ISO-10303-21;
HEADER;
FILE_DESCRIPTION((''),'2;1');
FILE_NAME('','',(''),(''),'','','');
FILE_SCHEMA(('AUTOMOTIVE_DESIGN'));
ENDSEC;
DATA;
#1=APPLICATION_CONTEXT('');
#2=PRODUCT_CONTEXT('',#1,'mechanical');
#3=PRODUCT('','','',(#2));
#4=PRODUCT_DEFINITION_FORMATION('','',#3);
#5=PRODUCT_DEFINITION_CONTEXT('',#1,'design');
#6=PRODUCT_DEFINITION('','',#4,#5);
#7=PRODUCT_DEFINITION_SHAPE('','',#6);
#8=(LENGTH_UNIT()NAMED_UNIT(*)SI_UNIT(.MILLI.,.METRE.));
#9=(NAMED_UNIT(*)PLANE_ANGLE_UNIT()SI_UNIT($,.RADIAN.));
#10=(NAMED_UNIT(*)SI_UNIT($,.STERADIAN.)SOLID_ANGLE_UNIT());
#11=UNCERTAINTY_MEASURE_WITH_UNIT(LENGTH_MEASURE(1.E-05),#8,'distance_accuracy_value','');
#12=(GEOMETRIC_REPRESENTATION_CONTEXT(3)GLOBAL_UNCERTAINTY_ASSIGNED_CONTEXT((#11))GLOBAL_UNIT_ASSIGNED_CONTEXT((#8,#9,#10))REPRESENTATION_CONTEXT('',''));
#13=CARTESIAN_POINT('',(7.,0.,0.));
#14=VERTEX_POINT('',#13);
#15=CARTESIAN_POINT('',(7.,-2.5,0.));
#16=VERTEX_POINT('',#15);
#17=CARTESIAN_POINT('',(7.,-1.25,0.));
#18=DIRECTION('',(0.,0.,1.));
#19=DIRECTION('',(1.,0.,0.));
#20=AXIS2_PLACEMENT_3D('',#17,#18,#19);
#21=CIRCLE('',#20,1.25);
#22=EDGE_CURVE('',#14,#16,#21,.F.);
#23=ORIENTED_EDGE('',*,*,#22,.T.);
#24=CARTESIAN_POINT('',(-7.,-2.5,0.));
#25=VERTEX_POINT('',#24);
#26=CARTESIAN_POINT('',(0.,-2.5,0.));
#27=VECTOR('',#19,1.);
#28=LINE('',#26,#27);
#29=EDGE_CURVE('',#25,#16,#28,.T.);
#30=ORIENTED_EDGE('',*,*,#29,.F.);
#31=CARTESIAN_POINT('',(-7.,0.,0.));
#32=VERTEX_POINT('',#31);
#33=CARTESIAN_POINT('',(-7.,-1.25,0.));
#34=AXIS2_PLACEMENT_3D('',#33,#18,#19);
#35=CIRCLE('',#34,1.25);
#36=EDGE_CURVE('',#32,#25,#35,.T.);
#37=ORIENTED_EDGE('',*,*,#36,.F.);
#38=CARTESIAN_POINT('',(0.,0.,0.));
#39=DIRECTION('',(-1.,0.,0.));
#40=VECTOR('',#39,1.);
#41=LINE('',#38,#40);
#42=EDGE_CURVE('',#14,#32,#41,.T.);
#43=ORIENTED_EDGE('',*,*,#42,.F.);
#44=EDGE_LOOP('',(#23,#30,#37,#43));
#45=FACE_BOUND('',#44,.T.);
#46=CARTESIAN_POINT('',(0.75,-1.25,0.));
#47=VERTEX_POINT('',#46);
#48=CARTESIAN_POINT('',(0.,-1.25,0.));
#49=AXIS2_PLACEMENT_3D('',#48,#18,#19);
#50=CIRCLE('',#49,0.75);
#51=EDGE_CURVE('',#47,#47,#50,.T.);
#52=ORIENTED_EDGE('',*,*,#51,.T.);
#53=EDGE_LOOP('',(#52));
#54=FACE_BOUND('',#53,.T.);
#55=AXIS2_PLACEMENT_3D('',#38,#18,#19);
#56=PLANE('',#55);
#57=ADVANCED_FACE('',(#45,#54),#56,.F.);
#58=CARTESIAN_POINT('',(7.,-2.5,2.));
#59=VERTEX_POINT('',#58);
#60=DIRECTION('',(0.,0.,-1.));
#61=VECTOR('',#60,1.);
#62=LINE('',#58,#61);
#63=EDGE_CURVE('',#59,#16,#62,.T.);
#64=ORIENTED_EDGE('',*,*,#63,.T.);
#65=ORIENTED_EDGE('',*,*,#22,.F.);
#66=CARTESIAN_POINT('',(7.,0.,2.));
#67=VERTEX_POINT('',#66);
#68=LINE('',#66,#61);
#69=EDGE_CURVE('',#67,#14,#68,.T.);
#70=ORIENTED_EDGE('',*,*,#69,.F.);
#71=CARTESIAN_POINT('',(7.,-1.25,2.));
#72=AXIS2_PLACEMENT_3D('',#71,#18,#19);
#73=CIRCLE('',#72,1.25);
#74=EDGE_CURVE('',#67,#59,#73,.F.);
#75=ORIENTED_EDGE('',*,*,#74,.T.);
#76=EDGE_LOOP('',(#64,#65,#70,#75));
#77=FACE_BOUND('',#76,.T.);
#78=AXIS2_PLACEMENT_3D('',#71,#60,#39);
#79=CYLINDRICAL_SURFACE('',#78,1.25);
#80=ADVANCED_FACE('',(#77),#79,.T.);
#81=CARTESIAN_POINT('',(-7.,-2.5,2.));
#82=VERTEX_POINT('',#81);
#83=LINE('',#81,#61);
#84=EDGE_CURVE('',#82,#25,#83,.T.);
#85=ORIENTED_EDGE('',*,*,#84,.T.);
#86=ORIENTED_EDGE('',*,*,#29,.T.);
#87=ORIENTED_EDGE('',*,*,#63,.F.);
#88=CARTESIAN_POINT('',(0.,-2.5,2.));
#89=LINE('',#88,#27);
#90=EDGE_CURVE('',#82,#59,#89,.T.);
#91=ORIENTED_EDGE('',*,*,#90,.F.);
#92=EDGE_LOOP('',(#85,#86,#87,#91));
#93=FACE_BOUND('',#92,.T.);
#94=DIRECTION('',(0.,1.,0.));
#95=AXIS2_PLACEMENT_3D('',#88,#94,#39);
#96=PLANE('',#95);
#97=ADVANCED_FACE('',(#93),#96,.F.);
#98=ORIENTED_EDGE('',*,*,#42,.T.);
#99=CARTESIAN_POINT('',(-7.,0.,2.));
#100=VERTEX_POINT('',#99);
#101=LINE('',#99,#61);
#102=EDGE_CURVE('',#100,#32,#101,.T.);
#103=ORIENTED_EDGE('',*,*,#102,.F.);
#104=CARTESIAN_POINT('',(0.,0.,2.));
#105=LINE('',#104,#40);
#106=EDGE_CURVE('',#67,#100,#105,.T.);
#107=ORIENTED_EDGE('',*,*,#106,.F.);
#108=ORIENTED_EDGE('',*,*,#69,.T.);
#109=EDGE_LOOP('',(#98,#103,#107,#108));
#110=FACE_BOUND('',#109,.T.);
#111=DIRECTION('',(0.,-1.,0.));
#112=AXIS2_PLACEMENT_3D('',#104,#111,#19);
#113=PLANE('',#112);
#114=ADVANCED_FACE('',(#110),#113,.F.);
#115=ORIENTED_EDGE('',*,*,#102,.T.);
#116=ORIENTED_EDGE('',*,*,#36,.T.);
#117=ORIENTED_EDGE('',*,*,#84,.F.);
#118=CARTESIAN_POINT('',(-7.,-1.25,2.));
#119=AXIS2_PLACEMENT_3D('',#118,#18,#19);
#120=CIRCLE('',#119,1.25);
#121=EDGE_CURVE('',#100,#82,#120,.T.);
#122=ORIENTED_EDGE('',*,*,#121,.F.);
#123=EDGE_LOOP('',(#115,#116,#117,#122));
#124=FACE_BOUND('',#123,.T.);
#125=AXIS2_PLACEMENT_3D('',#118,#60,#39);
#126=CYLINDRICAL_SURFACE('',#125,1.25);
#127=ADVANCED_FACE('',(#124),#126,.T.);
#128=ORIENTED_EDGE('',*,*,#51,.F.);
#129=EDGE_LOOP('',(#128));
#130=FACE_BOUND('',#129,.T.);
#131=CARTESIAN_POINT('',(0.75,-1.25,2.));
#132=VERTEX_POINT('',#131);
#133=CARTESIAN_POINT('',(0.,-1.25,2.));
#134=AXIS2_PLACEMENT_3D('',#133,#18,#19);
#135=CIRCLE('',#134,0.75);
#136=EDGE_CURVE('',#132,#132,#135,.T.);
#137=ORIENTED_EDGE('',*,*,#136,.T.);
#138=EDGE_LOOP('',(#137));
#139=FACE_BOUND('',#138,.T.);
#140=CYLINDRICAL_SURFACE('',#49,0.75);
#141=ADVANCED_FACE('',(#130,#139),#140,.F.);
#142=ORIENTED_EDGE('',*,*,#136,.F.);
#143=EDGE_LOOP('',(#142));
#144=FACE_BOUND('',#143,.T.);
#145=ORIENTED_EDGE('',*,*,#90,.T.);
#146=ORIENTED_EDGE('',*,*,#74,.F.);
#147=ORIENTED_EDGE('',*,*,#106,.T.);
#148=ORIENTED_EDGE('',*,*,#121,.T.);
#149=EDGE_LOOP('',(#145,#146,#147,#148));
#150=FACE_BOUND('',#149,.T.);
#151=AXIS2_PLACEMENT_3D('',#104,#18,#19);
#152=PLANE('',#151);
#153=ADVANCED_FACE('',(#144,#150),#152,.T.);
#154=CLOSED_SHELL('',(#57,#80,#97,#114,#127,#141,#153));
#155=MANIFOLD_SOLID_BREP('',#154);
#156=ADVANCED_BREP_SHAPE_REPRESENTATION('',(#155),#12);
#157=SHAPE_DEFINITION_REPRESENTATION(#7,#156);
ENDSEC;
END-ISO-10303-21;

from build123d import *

# Parameters (mm, degrees)
SALIENTE_EXTRUIR1_DEPTH = 2
CROQUIS2_R              = 0.75
CORTAR_EXTRUIR1_DEPTH   = 2


with BuildPart() as part:
    # Croquis1 → Saliente-Extruir1 (new body)
    with BuildSketch(Plane.XY):
        with BuildLine():
            Line((0, -2.5), (0, 0))
            Line((0, 0), (-7, 0))
            ThreePointArc((-7, 0), (-8.25, -1.25), (-7, -2.5))
            Line((-7, -2.5), (0, -2.5))
        make_face()
        with BuildLine():
            Line((7, 0), (0, 0))
            Line((0, 0), (0, -2.5))
            Line((0, -2.5), (7, -2.5))
            ThreePointArc((7, -2.5), (8.25, -1.25), (7, 0))
        make_face()
    extrude(amount=SALIENTE_EXTRUIR1_DEPTH)

    # Croquis2 → Cortar-Extruir1 (cut)
    with BuildSketch(Plane.XY.offset(2)):
        with Locations((0, -1.25)):
            Circle(CROQUIS2_R)
    extrude(amount=-CORTAR_EXTRUIR1_DEPTH, mode=Mode.SUBTRACT)


solid = part.part
